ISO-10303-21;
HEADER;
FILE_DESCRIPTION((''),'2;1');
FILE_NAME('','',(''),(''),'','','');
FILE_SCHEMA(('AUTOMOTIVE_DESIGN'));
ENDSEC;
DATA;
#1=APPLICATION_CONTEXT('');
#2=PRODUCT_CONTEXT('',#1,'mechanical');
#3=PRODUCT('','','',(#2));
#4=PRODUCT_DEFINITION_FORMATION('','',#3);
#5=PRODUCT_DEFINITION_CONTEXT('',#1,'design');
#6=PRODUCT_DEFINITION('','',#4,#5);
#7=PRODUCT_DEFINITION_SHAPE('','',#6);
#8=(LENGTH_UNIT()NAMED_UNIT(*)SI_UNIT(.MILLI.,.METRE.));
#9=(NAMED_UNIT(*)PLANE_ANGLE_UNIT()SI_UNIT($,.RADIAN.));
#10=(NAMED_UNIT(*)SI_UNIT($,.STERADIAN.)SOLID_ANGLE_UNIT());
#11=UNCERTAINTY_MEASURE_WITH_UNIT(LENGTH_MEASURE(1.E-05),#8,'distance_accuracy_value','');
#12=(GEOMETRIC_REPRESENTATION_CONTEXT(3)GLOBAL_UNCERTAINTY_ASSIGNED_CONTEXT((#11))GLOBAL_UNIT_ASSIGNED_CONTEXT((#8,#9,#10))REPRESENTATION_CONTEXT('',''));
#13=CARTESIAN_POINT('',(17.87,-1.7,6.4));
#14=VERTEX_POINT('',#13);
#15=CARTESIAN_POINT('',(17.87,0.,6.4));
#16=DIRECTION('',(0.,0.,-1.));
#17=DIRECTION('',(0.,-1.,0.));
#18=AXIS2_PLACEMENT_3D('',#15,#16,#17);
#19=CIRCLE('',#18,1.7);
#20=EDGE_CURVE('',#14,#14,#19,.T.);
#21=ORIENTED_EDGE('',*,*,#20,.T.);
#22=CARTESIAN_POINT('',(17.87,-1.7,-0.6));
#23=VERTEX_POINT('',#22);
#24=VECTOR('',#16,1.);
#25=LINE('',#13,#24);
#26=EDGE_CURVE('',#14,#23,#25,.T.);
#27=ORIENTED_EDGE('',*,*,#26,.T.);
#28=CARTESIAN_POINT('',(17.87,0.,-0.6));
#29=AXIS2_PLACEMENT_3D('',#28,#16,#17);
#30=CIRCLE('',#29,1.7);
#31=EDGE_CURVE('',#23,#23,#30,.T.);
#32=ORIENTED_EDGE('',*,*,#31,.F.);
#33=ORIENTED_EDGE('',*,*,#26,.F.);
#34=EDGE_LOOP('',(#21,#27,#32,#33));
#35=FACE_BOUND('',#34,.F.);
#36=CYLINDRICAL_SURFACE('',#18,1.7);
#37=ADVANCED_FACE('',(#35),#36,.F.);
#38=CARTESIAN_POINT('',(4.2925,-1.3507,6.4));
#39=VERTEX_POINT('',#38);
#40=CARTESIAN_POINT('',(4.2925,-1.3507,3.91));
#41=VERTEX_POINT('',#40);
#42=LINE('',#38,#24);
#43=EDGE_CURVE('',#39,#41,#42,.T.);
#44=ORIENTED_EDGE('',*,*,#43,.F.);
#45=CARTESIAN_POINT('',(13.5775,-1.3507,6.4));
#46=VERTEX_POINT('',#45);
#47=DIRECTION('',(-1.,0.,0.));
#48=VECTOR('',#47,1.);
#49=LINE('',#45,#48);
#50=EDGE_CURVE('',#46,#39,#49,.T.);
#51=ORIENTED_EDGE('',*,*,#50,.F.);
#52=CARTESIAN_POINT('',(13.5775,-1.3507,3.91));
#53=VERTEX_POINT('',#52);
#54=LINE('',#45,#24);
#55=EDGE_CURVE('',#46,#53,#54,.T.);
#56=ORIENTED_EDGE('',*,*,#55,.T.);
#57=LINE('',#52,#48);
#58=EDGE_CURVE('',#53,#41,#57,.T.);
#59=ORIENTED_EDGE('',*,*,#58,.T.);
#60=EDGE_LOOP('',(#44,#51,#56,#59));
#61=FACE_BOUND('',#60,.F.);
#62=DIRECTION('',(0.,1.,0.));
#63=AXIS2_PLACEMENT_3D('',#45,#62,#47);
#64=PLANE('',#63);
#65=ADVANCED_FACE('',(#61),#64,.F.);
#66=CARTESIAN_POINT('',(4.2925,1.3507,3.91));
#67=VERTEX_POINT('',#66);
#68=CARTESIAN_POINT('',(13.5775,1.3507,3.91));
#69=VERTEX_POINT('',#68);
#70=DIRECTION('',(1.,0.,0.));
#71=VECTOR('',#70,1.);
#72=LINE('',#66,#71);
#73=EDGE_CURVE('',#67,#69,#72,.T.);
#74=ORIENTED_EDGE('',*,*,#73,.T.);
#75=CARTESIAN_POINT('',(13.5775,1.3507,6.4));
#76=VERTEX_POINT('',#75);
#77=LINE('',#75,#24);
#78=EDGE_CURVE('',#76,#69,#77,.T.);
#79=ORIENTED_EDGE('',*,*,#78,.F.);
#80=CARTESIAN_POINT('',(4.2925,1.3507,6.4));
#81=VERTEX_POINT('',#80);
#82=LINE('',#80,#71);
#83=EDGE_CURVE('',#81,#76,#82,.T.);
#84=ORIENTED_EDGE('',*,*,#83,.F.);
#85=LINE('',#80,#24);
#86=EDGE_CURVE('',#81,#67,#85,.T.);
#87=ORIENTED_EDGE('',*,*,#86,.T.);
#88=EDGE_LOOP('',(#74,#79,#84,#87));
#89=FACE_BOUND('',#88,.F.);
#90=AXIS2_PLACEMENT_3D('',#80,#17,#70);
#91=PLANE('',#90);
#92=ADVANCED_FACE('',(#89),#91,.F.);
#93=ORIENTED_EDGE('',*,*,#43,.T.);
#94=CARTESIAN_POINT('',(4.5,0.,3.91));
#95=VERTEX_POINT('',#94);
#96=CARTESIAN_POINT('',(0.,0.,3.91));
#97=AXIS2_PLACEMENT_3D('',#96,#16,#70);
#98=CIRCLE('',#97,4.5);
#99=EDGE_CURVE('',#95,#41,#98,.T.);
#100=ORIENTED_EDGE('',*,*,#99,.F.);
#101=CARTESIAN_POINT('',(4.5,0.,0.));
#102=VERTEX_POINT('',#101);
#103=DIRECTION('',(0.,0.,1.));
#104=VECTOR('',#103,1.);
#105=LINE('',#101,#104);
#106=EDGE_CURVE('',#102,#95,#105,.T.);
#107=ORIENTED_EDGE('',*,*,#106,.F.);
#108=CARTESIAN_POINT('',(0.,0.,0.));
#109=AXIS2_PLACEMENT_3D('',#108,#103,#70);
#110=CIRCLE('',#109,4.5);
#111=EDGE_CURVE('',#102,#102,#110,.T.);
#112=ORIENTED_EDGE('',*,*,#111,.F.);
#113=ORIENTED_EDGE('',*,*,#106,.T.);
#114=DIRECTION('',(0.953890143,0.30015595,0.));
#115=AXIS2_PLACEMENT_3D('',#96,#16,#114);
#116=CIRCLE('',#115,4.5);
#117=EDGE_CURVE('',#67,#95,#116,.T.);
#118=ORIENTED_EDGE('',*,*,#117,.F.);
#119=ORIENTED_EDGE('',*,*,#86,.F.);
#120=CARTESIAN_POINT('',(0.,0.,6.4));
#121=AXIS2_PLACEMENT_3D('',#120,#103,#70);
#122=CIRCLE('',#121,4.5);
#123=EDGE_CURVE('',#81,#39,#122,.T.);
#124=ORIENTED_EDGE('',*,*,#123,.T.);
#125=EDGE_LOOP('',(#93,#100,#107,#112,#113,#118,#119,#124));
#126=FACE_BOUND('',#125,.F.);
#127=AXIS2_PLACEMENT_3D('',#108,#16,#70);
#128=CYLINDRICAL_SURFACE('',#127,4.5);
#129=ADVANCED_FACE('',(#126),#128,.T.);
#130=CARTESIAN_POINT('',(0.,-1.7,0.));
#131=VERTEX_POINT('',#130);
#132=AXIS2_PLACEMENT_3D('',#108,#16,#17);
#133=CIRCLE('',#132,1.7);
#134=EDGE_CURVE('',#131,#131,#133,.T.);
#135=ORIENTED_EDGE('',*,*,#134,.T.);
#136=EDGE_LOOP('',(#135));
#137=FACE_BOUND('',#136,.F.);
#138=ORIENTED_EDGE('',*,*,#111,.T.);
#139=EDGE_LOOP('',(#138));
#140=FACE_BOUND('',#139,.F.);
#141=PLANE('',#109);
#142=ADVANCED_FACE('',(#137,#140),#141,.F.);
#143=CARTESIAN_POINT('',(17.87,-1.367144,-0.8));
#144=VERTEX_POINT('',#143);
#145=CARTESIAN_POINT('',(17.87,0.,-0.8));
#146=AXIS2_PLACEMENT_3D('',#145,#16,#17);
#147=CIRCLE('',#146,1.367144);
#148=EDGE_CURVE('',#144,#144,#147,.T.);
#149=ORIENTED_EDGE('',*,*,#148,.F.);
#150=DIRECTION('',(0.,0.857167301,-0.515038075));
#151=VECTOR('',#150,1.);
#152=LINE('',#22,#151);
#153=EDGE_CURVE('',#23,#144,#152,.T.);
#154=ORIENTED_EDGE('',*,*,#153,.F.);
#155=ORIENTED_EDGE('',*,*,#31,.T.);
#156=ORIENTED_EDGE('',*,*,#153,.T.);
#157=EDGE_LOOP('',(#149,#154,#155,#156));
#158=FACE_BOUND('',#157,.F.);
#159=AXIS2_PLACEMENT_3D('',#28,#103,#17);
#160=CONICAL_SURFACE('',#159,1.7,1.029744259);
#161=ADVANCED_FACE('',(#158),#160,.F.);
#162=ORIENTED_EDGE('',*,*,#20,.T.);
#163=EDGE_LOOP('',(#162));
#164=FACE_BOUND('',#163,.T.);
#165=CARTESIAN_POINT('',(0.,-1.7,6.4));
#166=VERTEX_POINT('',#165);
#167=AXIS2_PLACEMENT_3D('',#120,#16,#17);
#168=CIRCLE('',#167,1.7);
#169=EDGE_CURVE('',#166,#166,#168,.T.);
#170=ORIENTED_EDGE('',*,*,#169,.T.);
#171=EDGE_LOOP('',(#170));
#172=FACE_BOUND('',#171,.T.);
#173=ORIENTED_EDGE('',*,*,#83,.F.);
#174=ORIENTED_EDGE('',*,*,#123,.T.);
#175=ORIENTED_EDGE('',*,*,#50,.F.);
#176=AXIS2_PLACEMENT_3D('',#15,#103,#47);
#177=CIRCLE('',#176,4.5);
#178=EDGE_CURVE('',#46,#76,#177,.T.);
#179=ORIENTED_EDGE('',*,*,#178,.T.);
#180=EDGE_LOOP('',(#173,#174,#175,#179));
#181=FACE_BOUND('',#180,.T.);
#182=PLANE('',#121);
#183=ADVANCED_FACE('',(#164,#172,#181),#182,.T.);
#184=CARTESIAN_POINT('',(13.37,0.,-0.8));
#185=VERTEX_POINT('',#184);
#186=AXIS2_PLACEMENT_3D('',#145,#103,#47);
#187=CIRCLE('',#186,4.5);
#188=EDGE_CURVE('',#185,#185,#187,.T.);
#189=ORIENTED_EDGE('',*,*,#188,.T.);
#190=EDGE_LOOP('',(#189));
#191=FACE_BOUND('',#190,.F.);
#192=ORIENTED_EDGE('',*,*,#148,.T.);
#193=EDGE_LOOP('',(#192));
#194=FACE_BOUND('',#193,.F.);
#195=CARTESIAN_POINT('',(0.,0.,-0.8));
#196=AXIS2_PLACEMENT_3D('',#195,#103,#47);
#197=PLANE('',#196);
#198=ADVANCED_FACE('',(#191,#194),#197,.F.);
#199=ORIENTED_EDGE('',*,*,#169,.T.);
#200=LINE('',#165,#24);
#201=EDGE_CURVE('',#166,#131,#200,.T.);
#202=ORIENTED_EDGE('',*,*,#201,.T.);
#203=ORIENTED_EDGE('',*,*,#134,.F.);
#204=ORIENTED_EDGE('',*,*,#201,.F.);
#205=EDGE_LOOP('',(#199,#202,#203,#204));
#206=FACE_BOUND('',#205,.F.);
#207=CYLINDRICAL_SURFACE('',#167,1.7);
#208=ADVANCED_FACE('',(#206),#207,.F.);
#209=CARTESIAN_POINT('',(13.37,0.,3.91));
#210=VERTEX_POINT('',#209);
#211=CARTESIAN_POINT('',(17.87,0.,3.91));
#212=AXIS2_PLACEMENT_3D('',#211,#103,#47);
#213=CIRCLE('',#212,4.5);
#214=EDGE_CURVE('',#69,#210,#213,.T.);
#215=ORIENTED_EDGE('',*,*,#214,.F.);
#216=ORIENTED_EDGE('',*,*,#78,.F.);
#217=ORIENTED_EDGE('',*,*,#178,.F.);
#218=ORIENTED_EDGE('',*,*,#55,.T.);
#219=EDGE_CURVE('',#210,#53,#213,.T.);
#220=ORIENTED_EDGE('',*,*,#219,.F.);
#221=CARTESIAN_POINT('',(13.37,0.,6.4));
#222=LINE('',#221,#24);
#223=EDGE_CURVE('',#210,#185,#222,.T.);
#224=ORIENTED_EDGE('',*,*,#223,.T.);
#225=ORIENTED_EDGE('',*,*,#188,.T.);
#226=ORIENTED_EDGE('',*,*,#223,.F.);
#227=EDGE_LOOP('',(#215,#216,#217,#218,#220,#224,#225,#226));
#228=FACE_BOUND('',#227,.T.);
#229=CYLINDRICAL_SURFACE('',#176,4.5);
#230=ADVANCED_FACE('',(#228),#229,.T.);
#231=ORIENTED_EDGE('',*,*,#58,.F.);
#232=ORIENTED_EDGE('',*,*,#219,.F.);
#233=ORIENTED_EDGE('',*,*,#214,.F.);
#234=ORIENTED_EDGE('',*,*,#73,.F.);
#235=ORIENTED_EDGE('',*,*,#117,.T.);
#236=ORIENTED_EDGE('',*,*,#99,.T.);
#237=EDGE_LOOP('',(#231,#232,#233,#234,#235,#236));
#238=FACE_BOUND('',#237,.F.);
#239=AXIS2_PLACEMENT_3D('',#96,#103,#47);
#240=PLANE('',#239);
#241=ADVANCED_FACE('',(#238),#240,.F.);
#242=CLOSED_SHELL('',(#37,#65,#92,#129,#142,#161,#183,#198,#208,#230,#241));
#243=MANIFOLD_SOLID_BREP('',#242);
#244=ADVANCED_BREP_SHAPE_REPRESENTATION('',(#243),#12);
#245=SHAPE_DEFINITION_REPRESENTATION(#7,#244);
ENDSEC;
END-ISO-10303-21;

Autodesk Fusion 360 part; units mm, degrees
sketch "Sketch1" plane through (0, 0, 0) normal (0, 0, 1) x (1, 0, 0)
  circle A0 centre (0, 0) radius 4.5
  line L0 (0, 0) -> (17.87, 0) construction
  circle A1 centre (17.87, 0) radius 4.5
  line L1 (13.5773, 1.35) -> (4.2927, 1.35)
  line L2 (13.5773, -1.35) -> (4.2927, -1.35)
  dimension "d1" = 9
  dimension "d2" = 17.87
  dimension "d3" = 9
  dimension "d4" = 2.7
  dimension "d5" = 1.35
extrude "Extrude1" add sketch "Sketch1" along normal blind 6.4 contours A0 makes body 1
sketch "Sketch2" plane through (0, 0, 6.4) normal (0, 0, 1) x (-1, 0, 0)
  circle A0 centre (0, 0) radius 4.5
  line L0 (0, 0) -> (-17.87, 0) construction
  circle A1 centre (-17.87, 0) radius 4.5
  dimension "d8" = 17.87
  dimension "d9" = 9
extrude "Extrude2" add sketch "Sketch2" against normal blind 7.2 separate body contours A1 makes body 2
sketch "Sketch3" plane through (0, 0, 6.4) normal (0, 0, 1) x (-1, 0, 0)
  circle A0 centre (0, 0) radius 4.5
  circle A1 centre (0, 0) radius 4.5
  line L0 (0, 0) -> (-17.87, 0) construction
  circle A2 centre (-17.87, 0) radius 4.5
  line L1 (-4.2925, -1.3507) -> (-13.5775, -1.3507)
  line L2 (-13.5775, 1.3507) -> (-4.2925, 1.3507)
  dimension "d12" = 17.87
  dimension "d13" = 9
  dimension "d14" = 9.285
  dimension "d15" = 9.285
extrude "Extrude3" add sketch "Sketch3" against normal blind 2.49 contours A0 A1 A2 L1 L2 bodies 1 2
sketch "Sketch4" plane through (0, 0, 0) normal (0, 1, 0) x (1, 0, 0)
hole "Hole1" at (0, 0, 6.4) direction (0, 0, -1) diameter 3.4 depth 7 tip angle 118 bodies 1
hole "Hole2" at (17.87, 0, 6.4) direction (0, 0, -1) diameter 3.4 depth 7 tip angle 118 bodies 1
